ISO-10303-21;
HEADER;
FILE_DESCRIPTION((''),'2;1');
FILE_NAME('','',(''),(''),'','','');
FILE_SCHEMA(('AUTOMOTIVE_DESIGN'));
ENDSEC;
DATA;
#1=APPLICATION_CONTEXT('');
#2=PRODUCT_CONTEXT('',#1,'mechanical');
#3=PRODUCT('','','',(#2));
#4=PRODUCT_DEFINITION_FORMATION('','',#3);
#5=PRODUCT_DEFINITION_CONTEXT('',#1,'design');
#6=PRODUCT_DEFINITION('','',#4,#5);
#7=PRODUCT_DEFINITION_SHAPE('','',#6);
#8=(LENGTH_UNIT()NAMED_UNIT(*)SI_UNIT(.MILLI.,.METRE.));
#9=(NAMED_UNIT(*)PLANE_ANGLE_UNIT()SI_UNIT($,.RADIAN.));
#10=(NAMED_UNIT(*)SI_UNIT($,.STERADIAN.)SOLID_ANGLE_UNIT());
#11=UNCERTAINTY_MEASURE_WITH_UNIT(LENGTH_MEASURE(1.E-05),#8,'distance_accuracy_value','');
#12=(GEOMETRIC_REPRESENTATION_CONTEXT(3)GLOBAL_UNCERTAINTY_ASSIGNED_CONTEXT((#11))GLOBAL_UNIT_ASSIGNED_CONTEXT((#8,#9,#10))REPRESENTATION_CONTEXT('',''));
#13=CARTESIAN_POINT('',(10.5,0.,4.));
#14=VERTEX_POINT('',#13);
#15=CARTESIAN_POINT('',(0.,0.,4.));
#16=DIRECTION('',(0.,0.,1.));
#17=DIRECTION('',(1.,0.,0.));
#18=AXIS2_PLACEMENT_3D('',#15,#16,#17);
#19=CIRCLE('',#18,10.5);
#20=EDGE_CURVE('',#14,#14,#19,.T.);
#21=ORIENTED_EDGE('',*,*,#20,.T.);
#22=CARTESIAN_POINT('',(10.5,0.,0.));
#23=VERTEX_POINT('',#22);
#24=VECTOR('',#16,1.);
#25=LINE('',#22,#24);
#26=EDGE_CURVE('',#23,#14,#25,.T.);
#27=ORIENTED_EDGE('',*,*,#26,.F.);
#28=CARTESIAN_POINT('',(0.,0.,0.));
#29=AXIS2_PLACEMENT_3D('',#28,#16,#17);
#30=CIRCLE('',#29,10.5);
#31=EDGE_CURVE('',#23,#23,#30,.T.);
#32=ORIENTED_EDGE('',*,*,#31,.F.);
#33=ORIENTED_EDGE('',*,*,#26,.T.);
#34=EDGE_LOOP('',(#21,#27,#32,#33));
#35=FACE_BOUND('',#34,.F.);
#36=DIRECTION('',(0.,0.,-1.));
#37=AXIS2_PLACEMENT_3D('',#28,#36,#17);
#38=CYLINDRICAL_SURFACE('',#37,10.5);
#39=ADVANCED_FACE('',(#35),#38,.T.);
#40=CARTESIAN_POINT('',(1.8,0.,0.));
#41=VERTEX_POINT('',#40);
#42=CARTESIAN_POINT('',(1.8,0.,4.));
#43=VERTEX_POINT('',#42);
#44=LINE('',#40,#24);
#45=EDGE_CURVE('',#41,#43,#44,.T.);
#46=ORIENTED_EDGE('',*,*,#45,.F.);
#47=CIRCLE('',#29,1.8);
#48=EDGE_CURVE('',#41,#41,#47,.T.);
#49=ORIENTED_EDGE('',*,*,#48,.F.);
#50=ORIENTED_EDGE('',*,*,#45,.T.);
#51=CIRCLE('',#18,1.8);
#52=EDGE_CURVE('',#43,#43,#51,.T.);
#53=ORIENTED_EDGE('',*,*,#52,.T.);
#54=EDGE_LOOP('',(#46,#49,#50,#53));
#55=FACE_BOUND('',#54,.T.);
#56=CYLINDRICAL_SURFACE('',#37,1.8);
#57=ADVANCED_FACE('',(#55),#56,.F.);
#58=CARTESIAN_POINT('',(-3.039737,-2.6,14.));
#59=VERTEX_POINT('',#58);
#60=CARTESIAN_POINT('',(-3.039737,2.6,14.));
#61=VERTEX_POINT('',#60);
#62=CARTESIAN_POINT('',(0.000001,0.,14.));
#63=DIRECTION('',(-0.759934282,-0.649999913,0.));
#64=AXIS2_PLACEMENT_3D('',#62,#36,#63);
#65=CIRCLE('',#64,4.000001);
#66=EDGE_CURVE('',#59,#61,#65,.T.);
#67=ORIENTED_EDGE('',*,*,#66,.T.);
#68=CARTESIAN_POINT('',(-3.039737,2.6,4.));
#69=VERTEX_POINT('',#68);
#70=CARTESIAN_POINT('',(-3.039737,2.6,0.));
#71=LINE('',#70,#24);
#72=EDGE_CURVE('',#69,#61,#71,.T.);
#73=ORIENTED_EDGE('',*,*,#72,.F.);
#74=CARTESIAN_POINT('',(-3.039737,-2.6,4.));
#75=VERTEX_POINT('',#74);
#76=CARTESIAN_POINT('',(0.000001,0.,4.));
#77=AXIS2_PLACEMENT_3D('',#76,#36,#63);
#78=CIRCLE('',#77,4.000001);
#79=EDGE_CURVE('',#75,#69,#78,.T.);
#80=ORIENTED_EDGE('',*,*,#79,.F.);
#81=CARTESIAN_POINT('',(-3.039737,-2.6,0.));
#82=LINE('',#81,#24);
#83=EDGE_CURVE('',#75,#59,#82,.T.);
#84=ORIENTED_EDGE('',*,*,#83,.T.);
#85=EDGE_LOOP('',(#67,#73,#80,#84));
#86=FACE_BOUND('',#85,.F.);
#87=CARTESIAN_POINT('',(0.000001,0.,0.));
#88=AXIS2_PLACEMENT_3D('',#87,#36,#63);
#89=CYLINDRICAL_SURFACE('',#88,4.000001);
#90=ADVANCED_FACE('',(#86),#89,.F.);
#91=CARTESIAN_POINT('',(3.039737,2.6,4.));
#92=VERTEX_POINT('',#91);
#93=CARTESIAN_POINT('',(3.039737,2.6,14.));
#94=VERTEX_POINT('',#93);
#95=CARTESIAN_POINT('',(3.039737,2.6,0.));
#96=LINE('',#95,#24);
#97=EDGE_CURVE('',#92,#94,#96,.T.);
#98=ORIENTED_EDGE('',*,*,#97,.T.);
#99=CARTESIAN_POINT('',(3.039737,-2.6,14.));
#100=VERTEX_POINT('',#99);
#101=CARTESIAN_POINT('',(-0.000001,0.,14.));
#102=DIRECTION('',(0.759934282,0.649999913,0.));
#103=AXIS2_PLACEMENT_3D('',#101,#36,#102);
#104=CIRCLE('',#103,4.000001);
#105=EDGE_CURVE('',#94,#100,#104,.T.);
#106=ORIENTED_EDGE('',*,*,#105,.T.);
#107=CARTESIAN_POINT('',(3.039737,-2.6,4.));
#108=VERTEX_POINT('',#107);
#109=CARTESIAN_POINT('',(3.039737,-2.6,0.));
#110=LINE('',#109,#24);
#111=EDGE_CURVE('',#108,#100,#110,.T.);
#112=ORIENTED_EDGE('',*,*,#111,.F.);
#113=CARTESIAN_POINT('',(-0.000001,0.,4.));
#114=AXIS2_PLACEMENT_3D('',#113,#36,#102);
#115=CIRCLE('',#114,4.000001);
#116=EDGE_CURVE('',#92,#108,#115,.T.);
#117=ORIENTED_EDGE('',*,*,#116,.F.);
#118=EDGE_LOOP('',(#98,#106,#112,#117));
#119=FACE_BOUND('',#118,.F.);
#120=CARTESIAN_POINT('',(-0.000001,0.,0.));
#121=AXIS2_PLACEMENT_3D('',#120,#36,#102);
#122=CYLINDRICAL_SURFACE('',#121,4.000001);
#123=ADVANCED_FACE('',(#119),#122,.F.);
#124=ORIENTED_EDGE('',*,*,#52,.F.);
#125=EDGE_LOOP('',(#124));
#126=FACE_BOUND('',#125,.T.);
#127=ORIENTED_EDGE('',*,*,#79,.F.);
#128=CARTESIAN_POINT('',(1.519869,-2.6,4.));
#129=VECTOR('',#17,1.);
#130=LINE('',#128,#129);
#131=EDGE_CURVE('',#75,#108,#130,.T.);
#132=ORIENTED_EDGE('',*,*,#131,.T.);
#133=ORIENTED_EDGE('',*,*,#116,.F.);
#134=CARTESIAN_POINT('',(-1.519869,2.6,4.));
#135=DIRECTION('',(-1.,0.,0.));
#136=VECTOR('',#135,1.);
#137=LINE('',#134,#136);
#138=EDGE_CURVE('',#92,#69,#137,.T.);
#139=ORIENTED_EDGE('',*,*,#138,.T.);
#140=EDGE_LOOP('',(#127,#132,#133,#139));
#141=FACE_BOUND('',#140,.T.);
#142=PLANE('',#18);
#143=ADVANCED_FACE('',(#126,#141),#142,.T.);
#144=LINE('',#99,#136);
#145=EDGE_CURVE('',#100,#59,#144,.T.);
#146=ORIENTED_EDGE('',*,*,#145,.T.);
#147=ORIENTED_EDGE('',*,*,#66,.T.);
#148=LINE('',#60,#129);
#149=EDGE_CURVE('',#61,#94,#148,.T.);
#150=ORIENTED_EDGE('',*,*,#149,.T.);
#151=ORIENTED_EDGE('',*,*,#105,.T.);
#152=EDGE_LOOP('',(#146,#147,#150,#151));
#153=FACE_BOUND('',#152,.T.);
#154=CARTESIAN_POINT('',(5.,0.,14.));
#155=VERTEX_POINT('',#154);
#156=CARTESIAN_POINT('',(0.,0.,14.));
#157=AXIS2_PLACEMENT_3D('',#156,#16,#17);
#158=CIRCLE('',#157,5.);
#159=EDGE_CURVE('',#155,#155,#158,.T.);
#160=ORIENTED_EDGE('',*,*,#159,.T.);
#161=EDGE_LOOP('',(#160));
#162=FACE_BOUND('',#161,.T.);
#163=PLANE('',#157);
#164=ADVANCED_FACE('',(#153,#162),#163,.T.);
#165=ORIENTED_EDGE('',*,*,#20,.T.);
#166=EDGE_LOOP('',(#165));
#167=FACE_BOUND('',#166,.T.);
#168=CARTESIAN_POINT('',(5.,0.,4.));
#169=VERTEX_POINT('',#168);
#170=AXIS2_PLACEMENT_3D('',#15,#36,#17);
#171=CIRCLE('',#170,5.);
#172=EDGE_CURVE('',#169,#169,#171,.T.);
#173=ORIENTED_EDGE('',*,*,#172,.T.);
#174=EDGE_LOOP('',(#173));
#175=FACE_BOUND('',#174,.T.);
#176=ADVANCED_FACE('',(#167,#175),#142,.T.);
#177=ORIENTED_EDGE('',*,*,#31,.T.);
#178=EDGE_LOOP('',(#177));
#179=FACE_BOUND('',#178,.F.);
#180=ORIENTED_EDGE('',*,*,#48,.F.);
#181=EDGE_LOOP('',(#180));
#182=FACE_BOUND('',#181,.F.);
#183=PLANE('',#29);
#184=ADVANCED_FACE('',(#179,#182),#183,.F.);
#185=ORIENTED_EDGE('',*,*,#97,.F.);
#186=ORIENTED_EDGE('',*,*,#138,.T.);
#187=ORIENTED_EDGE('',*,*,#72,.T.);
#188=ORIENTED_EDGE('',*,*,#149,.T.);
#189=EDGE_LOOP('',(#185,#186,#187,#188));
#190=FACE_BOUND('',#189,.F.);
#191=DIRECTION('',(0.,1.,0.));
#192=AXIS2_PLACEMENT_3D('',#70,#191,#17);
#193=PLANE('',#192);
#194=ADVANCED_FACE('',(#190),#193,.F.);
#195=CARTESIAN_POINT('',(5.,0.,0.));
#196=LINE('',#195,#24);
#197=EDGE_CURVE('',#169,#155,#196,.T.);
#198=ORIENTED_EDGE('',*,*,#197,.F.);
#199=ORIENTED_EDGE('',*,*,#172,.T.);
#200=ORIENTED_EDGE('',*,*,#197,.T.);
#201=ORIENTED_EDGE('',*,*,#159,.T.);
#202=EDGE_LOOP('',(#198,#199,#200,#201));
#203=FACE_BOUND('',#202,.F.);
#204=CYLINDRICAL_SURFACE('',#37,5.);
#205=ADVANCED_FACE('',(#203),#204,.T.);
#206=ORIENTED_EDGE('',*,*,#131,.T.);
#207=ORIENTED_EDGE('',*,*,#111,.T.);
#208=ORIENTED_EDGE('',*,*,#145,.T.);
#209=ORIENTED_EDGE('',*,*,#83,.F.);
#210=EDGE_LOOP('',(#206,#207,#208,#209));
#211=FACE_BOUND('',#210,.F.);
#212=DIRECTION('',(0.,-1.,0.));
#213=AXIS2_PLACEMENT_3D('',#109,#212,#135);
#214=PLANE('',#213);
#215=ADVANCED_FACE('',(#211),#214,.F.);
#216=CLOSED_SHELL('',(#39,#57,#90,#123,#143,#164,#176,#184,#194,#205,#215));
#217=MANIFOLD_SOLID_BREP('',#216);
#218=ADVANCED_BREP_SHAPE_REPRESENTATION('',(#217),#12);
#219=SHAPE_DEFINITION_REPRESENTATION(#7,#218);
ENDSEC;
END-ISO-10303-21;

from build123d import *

# Parameters (mm, degrees)
F0_R     = 10.5
F0_R_2   = 5
F0_R_3   = 1.8
F1_DEPTH = 4
F2_DEPTH = 14


with BuildPart() as f1:
    # F0 (on Top) → F1 (new body)
    with BuildSketch(Plane.XY):
        Circle(F0_R)
        Circle(F0_R_2, mode=Mode.SUBTRACT)
        Circle(F0_R_2)
        with BuildLine():
            ThreePointArc((3.039737, 2.6), (4, 0), (3.039737, -2.6))
            Line((3.039737, -2.6), (-3.039737, -2.6))
            ThreePointArc((-3.039737, -2.6), (-4, 0), (-3.039737, 2.6))
            Line((-3.039737, 2.6), (3.039737, 2.6))
        make_face(mode=Mode.SUBTRACT)
        with BuildLine():
            Line((-3.039737, -2.6), (3.039737, -2.6))
            ThreePointArc((3.039737, -2.6), (4, 0), (3.039737, 2.6))
            Line((3.039737, 2.6), (-3.039737, 2.6))
            ThreePointArc((-3.039737, 2.6), (-4, 0), (-3.039737, -2.6))
        make_face()
        Circle(F0_R_3, mode=Mode.SUBTRACT)
    extrude(amount=F1_DEPTH)

    # F0 (on Top) → F2 (join)
    with BuildSketch(Plane.XY):
        Circle(F0_R_2)
        with BuildLine():
            ThreePointArc((3.039737, 2.6), (4, 0), (3.039737, -2.6))
            Line((3.039737, -2.6), (-3.039737, -2.6))
            ThreePointArc((-3.039737, -2.6), (-4, 0), (-3.039737, 2.6))
            Line((-3.039737, 2.6), (3.039737, 2.6))
        make_face(mode=Mode.SUBTRACT)
    extrude(amount=F2_DEPTH)


solid = f1.part
